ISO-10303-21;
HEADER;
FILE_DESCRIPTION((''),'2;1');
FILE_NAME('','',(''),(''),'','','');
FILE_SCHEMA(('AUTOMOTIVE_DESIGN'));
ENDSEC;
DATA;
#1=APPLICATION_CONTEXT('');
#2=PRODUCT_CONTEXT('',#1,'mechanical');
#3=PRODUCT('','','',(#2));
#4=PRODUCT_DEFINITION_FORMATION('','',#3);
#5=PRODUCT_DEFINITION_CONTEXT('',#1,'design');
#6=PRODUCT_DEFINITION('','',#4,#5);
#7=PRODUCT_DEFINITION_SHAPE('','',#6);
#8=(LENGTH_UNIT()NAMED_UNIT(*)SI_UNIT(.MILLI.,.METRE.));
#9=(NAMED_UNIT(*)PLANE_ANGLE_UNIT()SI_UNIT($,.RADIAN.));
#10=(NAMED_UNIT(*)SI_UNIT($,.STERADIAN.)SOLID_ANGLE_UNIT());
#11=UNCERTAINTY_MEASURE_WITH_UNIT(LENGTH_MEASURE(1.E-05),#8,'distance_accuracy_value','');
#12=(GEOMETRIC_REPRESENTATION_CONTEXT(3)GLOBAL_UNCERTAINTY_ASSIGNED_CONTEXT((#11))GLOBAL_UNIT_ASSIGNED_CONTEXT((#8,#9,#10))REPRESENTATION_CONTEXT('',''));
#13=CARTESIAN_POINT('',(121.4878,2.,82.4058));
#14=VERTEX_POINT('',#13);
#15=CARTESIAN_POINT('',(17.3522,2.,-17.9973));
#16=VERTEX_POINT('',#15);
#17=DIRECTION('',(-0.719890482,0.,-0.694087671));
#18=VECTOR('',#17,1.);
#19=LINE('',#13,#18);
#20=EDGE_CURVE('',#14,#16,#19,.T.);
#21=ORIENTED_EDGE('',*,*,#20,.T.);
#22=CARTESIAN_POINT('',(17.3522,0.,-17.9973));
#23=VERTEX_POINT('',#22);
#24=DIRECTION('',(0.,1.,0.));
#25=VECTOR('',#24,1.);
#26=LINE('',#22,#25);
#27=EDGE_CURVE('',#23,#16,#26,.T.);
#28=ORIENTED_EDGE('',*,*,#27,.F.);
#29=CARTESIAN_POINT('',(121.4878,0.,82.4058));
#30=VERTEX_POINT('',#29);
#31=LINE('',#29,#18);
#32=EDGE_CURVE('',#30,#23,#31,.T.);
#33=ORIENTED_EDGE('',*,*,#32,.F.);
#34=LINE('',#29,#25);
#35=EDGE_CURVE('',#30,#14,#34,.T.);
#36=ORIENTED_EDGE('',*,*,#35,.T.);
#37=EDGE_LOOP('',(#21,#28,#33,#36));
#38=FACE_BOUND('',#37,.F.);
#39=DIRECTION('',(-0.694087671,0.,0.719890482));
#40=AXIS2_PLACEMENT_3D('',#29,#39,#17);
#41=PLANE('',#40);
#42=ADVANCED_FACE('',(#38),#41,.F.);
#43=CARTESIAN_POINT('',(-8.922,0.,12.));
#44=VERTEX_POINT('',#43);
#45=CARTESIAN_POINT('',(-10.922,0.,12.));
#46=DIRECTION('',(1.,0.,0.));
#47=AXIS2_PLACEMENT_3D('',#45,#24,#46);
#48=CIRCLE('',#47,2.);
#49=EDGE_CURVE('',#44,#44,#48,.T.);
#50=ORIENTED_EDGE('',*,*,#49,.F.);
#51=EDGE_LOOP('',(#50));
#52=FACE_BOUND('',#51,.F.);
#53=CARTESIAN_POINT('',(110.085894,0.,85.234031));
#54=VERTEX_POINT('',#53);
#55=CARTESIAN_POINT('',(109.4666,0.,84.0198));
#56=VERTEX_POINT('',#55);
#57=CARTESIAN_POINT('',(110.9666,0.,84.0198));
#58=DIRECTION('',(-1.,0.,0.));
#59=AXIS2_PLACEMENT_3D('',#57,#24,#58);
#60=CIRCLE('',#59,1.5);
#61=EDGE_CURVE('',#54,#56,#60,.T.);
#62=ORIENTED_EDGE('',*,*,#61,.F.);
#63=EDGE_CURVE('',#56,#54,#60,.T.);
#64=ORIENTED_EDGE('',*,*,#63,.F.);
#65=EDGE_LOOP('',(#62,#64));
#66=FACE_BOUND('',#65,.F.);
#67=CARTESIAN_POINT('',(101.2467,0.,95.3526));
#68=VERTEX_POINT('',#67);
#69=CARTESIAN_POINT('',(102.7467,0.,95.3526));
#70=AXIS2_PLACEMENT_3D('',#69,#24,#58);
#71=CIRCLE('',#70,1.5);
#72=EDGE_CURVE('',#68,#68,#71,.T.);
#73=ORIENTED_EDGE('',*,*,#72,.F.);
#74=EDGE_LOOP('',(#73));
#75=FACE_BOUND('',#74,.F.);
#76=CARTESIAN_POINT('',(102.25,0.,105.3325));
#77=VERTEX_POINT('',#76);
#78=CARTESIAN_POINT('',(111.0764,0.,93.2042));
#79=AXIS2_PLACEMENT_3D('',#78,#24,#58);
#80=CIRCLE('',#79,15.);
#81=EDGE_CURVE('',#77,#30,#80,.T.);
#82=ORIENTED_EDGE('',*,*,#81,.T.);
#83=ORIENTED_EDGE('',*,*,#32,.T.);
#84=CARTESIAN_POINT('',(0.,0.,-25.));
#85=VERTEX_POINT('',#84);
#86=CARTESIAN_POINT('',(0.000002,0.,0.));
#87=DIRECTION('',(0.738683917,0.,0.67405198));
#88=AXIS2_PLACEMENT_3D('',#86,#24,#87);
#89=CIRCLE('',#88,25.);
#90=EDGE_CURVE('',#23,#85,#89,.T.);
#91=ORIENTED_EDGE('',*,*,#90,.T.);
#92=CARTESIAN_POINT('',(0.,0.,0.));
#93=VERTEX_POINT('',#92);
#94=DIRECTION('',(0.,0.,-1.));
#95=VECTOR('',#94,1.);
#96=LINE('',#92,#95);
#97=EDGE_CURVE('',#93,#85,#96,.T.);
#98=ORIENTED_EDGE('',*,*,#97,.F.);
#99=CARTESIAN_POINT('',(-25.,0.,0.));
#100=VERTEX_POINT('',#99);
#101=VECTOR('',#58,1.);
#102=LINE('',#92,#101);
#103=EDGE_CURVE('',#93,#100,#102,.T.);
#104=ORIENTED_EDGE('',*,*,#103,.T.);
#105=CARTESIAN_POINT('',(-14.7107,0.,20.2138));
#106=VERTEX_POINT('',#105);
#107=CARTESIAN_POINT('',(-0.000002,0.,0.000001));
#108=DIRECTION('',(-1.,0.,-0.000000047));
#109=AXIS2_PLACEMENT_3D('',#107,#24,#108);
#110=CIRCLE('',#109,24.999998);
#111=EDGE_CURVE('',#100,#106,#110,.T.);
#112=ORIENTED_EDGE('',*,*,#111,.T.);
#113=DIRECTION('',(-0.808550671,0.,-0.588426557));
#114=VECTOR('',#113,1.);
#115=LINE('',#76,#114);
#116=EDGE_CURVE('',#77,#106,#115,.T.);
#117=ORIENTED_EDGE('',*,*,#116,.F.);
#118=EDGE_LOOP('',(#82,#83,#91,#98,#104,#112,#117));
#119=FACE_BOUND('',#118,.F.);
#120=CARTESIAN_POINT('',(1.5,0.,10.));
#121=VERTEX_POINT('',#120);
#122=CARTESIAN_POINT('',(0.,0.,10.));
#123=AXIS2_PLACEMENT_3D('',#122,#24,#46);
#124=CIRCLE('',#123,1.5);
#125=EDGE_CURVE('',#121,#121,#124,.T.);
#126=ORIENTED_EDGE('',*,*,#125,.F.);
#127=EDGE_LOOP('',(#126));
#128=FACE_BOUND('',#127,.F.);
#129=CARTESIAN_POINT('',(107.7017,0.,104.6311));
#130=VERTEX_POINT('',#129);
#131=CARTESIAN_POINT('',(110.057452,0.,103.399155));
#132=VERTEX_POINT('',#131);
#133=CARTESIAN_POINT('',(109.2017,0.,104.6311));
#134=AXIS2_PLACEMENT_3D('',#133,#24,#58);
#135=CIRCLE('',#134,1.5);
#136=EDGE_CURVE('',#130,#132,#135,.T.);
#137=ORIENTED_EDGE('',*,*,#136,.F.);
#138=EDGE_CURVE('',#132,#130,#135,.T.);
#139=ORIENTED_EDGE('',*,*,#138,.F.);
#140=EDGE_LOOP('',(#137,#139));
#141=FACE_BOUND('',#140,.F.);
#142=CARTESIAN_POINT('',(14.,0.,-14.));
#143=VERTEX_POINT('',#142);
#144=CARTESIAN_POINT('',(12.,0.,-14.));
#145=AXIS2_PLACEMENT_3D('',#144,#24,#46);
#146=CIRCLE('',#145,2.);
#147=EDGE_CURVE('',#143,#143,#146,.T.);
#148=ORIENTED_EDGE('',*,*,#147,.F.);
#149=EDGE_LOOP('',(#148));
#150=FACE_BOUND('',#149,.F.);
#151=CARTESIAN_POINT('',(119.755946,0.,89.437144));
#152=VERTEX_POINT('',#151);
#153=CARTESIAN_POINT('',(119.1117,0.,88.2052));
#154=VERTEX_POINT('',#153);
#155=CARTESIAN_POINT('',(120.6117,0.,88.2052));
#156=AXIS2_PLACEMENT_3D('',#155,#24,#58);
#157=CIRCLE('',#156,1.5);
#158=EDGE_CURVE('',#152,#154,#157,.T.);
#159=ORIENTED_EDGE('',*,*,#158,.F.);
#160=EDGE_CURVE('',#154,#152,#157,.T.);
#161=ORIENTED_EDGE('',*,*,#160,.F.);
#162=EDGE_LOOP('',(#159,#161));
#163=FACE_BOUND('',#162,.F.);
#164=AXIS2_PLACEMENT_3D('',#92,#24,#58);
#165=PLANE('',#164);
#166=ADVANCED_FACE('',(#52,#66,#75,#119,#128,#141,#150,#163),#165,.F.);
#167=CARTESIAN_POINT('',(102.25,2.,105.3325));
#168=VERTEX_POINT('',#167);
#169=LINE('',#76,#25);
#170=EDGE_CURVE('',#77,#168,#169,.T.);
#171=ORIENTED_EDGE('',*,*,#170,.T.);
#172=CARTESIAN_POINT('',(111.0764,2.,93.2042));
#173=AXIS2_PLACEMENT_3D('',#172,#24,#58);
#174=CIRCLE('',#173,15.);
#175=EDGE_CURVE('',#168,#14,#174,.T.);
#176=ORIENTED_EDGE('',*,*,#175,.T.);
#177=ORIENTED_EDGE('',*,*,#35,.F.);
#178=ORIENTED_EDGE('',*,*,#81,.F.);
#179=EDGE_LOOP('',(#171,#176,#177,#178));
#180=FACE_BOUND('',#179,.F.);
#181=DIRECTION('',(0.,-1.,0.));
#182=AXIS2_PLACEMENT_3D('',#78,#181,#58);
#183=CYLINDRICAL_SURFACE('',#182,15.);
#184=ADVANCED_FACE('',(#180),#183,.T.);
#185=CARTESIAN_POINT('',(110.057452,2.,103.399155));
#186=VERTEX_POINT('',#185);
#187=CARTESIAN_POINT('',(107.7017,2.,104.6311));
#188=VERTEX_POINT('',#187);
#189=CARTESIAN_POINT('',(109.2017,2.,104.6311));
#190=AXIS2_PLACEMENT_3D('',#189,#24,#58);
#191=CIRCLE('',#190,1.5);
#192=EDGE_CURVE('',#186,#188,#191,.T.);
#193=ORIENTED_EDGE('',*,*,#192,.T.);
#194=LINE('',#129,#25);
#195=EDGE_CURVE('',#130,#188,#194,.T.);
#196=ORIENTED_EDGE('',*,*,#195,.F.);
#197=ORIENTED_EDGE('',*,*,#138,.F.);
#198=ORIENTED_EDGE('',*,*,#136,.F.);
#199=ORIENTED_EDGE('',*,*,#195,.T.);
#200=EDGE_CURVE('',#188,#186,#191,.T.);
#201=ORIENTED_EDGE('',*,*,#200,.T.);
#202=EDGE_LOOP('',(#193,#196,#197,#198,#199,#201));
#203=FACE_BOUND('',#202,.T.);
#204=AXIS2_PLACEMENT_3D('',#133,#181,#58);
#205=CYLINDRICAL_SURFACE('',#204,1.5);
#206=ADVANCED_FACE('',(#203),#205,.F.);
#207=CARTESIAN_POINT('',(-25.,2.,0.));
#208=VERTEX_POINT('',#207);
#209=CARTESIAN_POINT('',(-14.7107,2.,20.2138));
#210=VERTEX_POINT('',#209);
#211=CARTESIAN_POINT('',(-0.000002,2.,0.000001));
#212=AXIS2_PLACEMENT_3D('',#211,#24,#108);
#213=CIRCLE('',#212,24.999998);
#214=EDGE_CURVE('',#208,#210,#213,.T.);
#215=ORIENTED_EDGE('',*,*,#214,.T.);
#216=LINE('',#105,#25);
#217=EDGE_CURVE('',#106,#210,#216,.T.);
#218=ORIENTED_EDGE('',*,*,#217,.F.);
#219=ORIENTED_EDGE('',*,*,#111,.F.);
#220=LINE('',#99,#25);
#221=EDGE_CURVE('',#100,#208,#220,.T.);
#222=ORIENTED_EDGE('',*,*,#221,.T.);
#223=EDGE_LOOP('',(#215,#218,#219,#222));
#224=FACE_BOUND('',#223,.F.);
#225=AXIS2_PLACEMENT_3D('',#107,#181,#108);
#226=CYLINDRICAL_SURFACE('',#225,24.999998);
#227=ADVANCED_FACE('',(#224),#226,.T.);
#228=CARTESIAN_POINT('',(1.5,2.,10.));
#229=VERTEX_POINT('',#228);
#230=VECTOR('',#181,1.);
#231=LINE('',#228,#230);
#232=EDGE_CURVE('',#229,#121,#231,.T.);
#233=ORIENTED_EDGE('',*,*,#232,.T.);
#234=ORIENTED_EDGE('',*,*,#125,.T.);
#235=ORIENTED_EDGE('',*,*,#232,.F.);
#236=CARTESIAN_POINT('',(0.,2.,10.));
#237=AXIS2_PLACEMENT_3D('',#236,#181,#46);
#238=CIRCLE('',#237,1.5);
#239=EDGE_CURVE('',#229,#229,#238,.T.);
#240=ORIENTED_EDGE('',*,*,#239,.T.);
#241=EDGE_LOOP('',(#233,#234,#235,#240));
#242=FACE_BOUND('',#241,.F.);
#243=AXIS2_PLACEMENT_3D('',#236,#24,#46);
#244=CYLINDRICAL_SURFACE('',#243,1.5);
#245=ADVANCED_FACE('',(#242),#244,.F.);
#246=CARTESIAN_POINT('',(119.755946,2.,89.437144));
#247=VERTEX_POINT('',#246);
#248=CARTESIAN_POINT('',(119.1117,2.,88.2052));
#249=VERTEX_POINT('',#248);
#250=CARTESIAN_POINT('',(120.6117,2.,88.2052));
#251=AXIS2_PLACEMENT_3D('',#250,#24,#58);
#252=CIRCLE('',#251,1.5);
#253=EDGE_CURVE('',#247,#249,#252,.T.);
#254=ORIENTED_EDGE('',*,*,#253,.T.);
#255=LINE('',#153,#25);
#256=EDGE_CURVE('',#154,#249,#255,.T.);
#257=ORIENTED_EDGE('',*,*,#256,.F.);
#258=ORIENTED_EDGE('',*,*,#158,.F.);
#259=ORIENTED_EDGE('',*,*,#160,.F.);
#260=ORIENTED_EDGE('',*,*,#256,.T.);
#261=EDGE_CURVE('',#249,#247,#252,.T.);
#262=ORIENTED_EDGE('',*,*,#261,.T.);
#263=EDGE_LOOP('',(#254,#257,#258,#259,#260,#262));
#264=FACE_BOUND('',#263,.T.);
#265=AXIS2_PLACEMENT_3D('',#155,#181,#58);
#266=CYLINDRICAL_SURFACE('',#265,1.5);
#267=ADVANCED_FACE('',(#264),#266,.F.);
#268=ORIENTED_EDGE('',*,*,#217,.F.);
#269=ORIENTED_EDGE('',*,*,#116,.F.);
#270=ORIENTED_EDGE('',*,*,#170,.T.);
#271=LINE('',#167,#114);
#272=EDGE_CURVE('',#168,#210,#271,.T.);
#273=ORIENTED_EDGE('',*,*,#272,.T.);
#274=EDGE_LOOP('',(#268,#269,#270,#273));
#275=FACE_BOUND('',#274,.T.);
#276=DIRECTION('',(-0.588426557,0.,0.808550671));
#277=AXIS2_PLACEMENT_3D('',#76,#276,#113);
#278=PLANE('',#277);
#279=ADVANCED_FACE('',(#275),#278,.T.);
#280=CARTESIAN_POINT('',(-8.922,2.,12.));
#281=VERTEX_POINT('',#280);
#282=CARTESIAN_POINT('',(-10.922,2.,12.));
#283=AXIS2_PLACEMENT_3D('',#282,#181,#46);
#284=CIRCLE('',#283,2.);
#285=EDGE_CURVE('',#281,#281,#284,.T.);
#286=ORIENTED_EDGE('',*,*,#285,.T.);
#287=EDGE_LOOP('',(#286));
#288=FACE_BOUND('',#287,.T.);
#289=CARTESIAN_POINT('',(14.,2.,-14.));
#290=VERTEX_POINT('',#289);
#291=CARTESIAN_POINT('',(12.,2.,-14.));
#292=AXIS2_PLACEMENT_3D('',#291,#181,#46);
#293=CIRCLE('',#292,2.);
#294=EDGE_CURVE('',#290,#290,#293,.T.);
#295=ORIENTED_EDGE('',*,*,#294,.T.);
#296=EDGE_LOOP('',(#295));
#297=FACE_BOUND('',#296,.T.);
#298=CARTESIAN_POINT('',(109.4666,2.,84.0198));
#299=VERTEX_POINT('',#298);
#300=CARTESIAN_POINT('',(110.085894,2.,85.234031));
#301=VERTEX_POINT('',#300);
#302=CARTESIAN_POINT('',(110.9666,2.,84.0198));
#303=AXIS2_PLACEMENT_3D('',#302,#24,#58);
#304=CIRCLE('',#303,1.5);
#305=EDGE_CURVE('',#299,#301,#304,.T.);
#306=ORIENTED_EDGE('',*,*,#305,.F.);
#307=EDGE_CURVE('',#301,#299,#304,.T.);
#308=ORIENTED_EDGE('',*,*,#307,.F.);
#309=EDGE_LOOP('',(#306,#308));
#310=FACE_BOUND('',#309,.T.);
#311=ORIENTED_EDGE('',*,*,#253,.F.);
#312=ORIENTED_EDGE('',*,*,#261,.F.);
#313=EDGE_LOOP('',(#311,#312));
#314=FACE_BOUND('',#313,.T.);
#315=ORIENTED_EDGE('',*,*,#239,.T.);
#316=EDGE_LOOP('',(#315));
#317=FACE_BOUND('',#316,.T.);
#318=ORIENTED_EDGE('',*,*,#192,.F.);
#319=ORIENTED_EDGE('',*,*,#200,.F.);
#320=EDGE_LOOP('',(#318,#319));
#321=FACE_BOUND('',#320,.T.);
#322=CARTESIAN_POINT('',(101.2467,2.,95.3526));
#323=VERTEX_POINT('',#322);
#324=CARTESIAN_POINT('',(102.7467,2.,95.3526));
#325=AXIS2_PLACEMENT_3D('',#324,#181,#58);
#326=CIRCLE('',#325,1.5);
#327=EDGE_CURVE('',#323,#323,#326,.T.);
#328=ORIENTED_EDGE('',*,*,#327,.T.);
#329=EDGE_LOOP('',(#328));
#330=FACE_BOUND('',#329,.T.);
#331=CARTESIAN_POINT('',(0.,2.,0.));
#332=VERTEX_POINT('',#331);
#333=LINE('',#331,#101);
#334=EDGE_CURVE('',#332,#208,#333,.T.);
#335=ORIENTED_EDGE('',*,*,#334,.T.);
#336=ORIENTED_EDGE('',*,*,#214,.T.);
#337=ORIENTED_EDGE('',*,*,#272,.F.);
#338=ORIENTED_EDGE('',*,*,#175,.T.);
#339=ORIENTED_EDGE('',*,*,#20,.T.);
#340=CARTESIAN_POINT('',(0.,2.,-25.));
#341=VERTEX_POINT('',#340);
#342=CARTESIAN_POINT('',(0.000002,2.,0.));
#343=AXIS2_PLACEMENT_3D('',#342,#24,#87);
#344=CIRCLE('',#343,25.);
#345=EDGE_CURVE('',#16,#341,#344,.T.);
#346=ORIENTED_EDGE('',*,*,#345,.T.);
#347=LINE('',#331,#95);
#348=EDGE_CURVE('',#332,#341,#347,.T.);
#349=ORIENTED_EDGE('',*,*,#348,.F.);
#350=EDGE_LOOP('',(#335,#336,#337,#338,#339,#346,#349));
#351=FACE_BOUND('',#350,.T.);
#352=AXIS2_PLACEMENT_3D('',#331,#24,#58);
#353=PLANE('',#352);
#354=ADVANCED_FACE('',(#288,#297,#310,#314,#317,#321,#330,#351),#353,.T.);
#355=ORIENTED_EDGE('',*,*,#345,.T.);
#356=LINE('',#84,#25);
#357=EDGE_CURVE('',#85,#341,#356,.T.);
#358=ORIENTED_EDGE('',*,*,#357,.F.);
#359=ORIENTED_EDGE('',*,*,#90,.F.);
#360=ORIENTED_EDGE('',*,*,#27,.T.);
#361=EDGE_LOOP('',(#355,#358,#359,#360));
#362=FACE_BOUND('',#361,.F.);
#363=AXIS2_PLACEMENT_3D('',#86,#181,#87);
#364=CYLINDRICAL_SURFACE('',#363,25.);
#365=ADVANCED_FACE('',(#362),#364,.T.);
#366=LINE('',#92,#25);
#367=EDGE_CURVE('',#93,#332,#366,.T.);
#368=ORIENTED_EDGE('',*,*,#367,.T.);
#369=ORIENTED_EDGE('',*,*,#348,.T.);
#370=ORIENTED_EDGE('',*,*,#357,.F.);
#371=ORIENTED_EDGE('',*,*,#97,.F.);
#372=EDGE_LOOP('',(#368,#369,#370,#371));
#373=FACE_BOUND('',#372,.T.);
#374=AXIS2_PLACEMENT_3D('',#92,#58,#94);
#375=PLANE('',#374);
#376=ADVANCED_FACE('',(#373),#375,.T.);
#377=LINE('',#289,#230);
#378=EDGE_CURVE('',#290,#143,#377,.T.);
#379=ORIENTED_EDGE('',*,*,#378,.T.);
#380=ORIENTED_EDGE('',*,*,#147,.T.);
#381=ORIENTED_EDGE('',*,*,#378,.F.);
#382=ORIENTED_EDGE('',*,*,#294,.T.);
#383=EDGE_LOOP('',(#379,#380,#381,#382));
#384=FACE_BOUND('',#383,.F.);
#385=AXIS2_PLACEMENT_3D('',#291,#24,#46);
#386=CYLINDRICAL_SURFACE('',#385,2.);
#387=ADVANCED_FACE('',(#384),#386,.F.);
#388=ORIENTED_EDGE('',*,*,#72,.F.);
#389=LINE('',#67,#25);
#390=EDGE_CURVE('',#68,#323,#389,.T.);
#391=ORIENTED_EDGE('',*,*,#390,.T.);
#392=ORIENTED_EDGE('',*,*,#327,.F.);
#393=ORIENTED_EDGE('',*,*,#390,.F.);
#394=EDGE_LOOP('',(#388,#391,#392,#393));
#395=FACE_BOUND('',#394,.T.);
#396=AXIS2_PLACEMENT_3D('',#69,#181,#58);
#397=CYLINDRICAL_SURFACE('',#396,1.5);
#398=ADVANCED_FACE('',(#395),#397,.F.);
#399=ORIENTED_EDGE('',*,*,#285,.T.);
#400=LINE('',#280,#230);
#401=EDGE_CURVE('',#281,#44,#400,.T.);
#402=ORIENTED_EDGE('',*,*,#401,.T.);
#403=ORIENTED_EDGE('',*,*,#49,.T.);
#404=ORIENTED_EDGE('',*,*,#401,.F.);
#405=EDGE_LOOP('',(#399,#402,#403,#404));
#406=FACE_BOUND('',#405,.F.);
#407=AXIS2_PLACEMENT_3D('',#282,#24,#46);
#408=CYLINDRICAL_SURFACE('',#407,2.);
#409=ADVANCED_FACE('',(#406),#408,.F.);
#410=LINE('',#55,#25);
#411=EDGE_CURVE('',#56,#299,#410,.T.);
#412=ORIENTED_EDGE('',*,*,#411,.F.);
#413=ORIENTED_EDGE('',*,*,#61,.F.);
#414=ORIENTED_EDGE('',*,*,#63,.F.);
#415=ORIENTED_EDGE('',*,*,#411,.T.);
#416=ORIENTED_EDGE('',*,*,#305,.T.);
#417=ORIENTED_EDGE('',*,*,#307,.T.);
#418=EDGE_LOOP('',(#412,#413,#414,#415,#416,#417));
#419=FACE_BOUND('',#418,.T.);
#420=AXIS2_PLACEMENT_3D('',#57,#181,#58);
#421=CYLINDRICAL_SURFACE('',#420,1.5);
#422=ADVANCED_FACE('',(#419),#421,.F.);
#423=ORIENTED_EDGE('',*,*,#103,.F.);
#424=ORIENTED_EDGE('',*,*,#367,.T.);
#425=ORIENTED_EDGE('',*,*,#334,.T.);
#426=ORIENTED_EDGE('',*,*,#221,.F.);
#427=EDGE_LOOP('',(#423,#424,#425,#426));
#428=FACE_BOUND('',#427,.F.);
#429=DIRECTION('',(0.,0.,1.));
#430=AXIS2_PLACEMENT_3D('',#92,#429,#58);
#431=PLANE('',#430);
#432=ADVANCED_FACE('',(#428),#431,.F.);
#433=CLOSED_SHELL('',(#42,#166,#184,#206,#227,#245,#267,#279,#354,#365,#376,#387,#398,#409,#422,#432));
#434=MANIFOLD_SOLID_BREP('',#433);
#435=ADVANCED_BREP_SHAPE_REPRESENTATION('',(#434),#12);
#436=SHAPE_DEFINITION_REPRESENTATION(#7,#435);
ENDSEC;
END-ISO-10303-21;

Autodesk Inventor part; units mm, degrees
ref_plane "YZ Plane" through (0, 0, 0) normal (1, 0, 0) x (0, 1, 0)
ref_plane "XZ Plane" through (0, 0, 0) normal (0, 1, 0) x (-1, 0, 0)
ref_plane "XY Plane" through (0, 0, 0) normal (0, 0, 1) x (1, 0, 0)
sketch "Sketch1" plane through (0, 0, 0) normal (0, 1, 0) x (-1, 0, 0)
  line L0 (0, 0) -> (0, -25)
  line L1 (0, 0) -> (25, 0)
  line L2 (0, 0) -> (-107.2462, 89.9903)
  line L3 (0, 0) -> (140, 0) construction
  line L4 (-107.2462, 89.9903) -> (-102.7467, 95.3526)
  line L5 (-102.7467, 95.3526) -> (-110.9666, 84.0198)
  line L6 (-107.2462, 89.9903) -> (-114.9067, 96.4181)
  line L7 (-114.9067, 96.4181) -> (-120.6117, 88.2052)
  line L8 (-120.6117, 88.2052) -> (-109.2017, 104.6311)
  circle A0 centre (-109.2017, 104.6311) radius 1.5
  circle A1 centre (-102.7467, 95.3526) radius 1.5
  circle A2 centre (-110.9666, 84.0198) radius 1.5
  circle A3 centre (-120.6117, 88.2052) radius 1.5
  circle A4 centre (-111.0764, 93.2042) radius 15
  arc A5 (25, 0) -> (-19.1511, 16.0697) centre (0, 0) ccw
  arc A6 (-18.4671, 16.8513) -> (0, -25) centre (0, 0) ccw
  line L9 (-102.25, 105.3325) -> (14.7107, 20.2138)
  line L10 (-121.4878, 82.4058) -> (-17.3522, -17.9973)
  dimension "d0" = 25
  dimension "d1" = 25
  dimension "d2" = 140
  dimension "d3" = 140
  dimension "d4" = 7
  dimension "d5" = 14
  dimension "d6" = 10
  dimension "d7" = 10
  dimension "d8" = 20
  dimension "d9" = 3
  dimension "d10" = 3
  dimension "d11" = 3
  dimension "d12" = 3
  dimension "d13" = 30
extrude "Extrusion1" add sketch "Sketch1" along normal blind 2 contours L2 A5 L1 | L0 A6 L2 | A6 L10 A4 L2 | L2 A4 L9 A5 | L2 L4 A1 L5 | A4
sketch "Sketch2" plane through (0, 2, 0) normal (0, 1, 0) x (1, 0, 0)
  line L0 (0, 25) -> (0, 0) projected
  line L1 (0, 25) -> (0, 14)
  line L2 (0, 14) -> (12, 14)
  circle A0 centre (12, 14) radius 2
  line L3 (0, 25) -> (0, 0) projected
  line L4 (0, 0) -> (-10.922, 0)
  line L5 (0, 0) -> (-25, 0) projected
  line L6 (-10.922, 0) -> (-10.922, -12)
  circle A1 centre (-10.922, -12) radius 2
  dimension "d16" = 11
  dimension "d17" = 12
  dimension "d18" = 4
  dimension "d24" = 10.922
  dimension "d25" = 12
  dimension "d26" = 4
extrude "Extrusion2" cut sketch "Sketch2" against normal blind 2 contours A0
extrude "Extrusion3" cut sketch "Sketch2" against normal blind 2 contours A1
sketch "Sketch3" plane through (0, 2, 0) normal (0, 1, 0) x (1, 0, 0)
  line L0 (0, 25) -> (0, 0) projected
  line L1 (0, 0) -> (0, -10)
  circle A0 centre (0, -10) radius 1.5
  dimension "d29" = 10
  dimension "d30" = 3
extrude "Extrusion4" cut sketch "Sketch3" against normal blind 2
properties part number "arm"
